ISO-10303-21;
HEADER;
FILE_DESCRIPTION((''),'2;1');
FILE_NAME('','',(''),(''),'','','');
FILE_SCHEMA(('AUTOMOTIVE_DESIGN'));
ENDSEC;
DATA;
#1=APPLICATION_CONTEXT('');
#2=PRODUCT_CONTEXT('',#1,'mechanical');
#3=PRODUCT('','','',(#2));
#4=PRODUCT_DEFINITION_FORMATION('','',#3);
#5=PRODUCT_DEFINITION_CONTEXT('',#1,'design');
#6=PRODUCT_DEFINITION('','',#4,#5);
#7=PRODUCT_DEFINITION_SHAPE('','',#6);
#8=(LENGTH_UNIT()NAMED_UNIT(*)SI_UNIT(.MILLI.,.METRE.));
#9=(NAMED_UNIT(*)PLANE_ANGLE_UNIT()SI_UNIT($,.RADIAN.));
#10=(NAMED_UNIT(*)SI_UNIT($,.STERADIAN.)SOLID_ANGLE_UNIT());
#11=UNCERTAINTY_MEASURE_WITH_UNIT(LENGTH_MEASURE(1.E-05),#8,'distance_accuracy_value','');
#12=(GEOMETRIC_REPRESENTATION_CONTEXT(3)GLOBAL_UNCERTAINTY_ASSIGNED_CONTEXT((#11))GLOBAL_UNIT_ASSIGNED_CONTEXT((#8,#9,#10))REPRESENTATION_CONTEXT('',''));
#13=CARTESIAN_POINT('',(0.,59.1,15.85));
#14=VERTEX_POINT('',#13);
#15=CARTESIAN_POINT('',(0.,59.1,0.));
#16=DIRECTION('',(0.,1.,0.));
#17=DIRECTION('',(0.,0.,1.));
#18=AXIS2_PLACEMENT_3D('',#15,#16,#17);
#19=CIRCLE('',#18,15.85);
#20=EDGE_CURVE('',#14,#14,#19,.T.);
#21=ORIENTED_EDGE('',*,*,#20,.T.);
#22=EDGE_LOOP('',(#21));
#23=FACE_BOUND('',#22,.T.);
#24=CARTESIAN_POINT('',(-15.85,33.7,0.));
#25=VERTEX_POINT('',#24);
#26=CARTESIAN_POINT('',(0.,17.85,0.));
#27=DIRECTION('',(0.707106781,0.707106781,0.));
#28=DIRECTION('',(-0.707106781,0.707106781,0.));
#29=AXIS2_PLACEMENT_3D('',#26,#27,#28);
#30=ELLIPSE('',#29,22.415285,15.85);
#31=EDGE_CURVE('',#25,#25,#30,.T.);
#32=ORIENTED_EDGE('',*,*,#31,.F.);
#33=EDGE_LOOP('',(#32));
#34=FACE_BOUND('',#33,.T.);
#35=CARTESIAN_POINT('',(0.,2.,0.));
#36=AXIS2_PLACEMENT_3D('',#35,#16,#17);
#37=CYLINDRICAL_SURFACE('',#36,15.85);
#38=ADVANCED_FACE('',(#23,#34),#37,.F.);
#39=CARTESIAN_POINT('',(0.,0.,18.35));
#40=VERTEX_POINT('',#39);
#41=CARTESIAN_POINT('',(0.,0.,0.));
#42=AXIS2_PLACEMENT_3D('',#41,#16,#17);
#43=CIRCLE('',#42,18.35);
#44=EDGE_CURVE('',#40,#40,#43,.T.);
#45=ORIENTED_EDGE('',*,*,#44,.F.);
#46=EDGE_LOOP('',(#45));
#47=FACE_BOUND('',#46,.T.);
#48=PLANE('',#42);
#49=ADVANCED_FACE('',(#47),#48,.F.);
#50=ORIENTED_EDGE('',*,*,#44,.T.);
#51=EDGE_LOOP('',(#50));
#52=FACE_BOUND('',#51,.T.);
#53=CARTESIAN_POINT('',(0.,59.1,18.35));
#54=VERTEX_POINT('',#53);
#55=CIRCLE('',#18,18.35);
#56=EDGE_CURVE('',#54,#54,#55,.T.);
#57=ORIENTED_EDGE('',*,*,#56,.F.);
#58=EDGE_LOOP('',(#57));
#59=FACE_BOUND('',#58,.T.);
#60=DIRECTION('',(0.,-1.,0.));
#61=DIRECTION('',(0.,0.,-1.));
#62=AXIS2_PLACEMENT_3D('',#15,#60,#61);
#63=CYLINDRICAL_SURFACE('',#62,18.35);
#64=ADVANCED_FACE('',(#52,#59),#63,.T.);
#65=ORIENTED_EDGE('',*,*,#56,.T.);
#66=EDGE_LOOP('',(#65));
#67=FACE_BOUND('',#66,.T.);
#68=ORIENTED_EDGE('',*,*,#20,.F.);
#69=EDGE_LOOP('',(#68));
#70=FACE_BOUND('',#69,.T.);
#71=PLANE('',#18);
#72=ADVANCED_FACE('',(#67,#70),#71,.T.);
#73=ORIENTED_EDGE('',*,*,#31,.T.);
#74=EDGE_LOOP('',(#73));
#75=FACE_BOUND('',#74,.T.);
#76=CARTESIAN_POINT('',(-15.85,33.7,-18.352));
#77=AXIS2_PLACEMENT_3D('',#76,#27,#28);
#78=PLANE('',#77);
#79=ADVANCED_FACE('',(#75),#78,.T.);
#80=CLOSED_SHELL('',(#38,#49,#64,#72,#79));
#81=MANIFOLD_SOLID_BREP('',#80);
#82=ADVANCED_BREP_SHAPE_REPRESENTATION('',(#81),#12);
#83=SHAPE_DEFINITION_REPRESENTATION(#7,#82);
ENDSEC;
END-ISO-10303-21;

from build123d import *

# Parameters (mm, degrees)
SKETCH1_R                       = 18.35
BOSS_EXTRUDE1_DEPTH             = 59.1
SKETCH2_R                       = 15.85
CUT_EXTRUDE1_DEPTH              = 57.1
BOSS_EXTRUDE2_REACH             = 66.547
BOSS_EXTRUDE2_DIRECTION_2_REACH = 66.547


with BuildPart() as part:
    # Sketch1 → Boss-Extrude1 (new body)
    with BuildSketch(Plane(origin=(0, 0, 0), x_dir=(1, 0, 0), z_dir=(0, 1, 0))):
        with Locations(Location((0, 0, 0), (0, 0, 270))):
            Circle(SKETCH1_R)
    extrude(amount=BOSS_EXTRUDE1_DEPTH)

    # Sketch2 → Cut-Extrude1 (cut)
    with BuildSketch(Plane(origin=(0, 59.1, 0), x_dir=(1, 0, 0), z_dir=(0, 1, 0))):
        with Locations(Location((0, 0, 0), (0, 0, 270))):
            Circle(SKETCH2_R)
    extrude(amount=-CUT_EXTRUDE1_DEPTH, mode=Mode.SUBTRACT)

    # Sketch3 → Boss-Extrude2 (add, up to next)
    with BuildSketch(Plane.XY, mode=Mode.PRIVATE) as boss_extrude2_sk1:
        Polygon((-15.85, 33.7), (15.85, 2), (-15.85, 2), align=None)
    boss_extrude2_tool1 = extrude(boss_extrude2_sk1.sketch, amount=BOSS_EXTRUDE2_REACH, mode=Mode.PRIVATE) - part.part
    add(boss_extrude2_tool1.solids().sort_by_distance((-5.283333, 12.566667, 0))[0])

    # Sketch3 → Boss-Extrude2 direction 2 (add, up to next)
    with BuildSketch(Plane.XY, mode=Mode.PRIVATE) as boss_extrude2_direction_2_sk1:
        Polygon((-15.85, 33.7), (15.85, 2), (-15.85, 2), align=None)
    boss_extrude2_direction_2_tool1 = extrude(boss_extrude2_direction_2_sk1.sketch, amount=-BOSS_EXTRUDE2_DIRECTION_2_REACH, mode=Mode.PRIVATE) - part.part
    add(boss_extrude2_direction_2_tool1.solids().sort_by_distance((-5.283333, 12.566667, 0))[0])


solid = part.part
